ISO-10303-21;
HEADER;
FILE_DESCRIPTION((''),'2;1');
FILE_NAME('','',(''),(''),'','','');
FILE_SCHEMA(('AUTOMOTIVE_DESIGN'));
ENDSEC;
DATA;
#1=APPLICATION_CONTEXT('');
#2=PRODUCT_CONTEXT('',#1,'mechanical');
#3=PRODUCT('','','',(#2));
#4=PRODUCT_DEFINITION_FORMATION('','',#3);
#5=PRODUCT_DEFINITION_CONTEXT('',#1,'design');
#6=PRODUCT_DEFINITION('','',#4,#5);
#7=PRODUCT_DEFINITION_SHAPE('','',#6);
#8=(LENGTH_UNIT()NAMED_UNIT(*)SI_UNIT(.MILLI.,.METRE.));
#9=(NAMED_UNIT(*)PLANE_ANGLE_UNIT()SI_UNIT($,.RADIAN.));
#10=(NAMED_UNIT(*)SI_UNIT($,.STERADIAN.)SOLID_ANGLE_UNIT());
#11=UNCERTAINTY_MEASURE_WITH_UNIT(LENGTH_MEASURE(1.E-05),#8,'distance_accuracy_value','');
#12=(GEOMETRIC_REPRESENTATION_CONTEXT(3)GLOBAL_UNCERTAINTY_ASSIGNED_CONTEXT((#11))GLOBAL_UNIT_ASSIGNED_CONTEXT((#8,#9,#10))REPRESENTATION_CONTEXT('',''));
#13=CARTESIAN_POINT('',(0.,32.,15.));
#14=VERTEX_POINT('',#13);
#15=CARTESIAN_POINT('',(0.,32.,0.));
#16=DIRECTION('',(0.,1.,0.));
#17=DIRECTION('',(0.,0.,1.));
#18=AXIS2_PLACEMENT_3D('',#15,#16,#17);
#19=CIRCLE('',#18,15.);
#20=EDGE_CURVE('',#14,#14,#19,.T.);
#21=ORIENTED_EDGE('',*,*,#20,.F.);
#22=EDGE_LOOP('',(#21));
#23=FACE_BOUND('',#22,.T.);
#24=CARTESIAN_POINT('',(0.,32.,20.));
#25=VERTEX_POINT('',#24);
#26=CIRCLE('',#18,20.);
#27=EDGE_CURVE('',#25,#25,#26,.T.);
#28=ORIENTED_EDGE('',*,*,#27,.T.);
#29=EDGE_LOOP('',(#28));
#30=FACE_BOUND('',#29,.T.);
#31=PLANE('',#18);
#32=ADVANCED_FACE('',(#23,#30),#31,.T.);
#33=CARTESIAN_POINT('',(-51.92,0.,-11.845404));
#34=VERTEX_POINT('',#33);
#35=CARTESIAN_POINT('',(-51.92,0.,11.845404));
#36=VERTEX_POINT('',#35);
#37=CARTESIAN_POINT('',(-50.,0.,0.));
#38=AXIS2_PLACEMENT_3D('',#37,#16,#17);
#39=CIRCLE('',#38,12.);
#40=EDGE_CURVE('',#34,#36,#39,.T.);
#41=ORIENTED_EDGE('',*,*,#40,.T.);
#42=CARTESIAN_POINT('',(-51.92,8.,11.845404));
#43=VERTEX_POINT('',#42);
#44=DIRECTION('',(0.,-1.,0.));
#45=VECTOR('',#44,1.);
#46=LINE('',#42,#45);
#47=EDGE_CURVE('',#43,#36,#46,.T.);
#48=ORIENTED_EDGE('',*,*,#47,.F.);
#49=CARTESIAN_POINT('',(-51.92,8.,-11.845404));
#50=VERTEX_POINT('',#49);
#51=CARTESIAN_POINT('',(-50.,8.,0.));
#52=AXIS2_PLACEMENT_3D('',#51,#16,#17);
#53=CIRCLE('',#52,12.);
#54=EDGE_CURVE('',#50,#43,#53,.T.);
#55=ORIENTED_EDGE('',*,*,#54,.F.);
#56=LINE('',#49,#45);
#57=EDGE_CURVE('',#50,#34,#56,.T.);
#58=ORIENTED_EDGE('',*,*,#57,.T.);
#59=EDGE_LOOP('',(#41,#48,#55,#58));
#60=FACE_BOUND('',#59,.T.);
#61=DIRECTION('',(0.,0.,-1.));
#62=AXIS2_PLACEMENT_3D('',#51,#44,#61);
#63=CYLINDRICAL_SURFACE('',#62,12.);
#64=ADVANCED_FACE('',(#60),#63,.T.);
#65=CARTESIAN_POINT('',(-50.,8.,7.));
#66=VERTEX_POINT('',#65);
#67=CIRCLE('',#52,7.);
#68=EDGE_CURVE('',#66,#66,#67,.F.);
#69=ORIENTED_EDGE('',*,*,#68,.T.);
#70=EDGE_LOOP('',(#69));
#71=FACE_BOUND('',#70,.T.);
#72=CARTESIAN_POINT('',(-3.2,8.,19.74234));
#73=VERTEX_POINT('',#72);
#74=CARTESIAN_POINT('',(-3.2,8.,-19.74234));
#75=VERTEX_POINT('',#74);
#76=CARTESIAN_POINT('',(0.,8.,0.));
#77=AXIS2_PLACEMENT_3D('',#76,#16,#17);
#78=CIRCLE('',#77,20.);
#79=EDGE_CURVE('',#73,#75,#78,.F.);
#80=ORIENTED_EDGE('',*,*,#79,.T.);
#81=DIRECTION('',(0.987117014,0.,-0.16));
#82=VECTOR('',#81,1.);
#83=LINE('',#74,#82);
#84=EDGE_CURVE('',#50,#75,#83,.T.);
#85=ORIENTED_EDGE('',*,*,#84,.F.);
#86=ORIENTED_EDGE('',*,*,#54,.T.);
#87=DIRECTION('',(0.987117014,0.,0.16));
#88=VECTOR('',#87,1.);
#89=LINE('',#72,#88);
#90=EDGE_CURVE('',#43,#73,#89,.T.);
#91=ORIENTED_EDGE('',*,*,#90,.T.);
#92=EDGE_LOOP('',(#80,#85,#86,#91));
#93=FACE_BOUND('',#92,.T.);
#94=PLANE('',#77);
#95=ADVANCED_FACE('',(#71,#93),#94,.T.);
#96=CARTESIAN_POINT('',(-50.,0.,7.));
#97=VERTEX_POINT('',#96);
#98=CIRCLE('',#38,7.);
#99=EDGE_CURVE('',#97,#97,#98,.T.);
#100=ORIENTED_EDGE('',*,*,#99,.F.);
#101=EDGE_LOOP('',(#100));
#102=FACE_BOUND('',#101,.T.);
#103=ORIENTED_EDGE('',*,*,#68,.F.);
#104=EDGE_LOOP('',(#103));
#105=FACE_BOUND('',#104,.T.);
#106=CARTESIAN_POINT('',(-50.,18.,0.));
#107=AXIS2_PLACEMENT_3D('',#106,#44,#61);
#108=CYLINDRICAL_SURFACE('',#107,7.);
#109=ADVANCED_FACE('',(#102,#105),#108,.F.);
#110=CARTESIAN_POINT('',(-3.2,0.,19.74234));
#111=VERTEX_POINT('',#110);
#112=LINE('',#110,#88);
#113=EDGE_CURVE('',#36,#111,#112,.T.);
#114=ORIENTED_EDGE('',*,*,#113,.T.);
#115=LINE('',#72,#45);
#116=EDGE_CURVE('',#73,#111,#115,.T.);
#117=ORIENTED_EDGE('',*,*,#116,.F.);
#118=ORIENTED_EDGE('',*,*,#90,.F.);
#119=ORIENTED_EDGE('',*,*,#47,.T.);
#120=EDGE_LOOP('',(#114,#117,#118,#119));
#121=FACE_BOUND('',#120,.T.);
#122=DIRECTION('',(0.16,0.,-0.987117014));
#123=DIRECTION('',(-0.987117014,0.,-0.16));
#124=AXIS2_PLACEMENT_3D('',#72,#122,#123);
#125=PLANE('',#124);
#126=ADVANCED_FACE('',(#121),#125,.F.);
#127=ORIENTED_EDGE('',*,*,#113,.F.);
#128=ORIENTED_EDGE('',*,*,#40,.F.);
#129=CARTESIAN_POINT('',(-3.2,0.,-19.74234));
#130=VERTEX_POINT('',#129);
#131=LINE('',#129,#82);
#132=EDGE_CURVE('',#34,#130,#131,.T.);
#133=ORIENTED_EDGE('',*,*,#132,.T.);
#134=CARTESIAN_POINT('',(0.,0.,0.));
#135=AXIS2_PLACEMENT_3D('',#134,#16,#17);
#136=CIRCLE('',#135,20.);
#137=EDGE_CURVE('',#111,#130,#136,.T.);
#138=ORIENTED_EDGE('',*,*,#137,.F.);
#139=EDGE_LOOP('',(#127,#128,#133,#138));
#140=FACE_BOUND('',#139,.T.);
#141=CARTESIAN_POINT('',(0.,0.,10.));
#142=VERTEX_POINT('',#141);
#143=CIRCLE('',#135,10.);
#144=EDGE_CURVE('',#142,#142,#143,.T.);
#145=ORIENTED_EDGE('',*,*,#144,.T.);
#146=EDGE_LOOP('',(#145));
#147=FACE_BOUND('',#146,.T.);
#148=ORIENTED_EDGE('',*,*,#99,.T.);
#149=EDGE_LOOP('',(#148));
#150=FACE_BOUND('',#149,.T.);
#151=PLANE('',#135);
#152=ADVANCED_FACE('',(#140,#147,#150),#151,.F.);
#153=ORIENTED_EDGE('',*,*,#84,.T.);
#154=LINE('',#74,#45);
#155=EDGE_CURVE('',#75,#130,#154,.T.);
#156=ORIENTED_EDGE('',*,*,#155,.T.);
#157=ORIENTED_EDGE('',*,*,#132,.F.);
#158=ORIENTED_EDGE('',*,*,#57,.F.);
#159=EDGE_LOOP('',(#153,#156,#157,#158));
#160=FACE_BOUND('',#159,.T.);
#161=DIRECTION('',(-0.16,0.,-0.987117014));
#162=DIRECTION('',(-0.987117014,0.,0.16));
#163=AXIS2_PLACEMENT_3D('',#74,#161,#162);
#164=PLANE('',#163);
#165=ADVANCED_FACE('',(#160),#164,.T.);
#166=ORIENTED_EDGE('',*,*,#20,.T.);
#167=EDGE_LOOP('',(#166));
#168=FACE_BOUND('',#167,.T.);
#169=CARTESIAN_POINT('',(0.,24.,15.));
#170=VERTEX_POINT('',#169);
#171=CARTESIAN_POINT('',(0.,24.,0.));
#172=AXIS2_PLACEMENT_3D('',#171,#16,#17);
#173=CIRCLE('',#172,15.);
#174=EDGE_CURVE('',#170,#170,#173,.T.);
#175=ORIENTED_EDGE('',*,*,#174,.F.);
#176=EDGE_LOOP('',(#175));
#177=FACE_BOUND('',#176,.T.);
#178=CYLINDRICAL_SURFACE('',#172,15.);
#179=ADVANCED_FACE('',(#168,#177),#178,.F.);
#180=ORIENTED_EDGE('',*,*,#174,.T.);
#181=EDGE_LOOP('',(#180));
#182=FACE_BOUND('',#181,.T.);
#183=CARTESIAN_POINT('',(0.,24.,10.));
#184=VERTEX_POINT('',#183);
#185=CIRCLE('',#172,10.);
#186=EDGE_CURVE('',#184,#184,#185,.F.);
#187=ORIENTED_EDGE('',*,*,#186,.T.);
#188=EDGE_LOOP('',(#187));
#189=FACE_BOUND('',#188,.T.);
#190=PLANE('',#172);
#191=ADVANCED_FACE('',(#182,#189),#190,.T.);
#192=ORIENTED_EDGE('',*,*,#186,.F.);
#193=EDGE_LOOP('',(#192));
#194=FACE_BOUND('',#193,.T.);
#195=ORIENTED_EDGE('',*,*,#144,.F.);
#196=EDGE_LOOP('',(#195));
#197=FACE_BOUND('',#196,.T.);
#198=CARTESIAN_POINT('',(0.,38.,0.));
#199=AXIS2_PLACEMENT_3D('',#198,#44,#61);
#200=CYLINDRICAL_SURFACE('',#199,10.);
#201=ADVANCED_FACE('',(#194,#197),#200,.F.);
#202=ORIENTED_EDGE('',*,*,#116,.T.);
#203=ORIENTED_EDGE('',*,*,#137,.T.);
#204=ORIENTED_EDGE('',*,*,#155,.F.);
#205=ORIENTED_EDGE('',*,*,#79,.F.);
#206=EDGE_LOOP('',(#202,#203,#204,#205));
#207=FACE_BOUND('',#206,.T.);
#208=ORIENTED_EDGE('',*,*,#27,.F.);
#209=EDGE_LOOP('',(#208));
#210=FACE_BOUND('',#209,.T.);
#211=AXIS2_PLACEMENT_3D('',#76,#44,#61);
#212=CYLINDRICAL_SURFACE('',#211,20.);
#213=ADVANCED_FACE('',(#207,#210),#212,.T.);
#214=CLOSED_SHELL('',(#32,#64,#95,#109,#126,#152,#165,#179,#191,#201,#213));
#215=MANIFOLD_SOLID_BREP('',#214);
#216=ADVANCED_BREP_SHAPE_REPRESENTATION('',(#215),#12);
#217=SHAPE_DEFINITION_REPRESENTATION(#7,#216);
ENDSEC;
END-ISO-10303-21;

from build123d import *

# Parameters (mm, degrees)
EXTRUDE_3_DEPTH     = 8
SKETCH_5_R          = 20
EXTRUDE_4_DEPTH     = 32
SKETCH_7_R          = 15
CUT_EXTRUDE_1_DEPTH = 8
SKETCH_8_R          = 10
CUT_EXTRUDE_2_DEPTH = 38
SKETCH_9_R          = 7
CUT_EXTRUDE_4_DEPTH = 18


with BuildPart() as part:
    # 草图2 → 凸台-拉伸3 (new body)
    with BuildSketch(Plane(origin=(0, 0, 0), x_dir=(1, 0, 0), z_dir=(0, 1, 0))):
        with BuildLine():
            Line((-3.2, 19.742340287), (-51.92, 11.845404172))
            ThreePointArc((-51.92, 11.845404172), (-62, 0), (-51.92, -11.845404172))
            Line((-51.92, -11.845404172), (-3.2, -19.742340287))
            ThreePointArc((-3.2, -19.742340287), (20, 0), (-3.2, 19.742340287))
        make_face()
    extrude(amount=EXTRUDE_3_DEPTH)

    # 草图5 → 凸台-拉伸4 (add)
    with BuildSketch(Plane(origin=(0, 0, 0), x_dir=(1, 0, 0), z_dir=(0, 1, 0))):
        with Locations(Location((0, 0, 0), (0, 0, 99.206896221))):
            Circle(SKETCH_5_R)
    extrude(amount=EXTRUDE_4_DEPTH)

    # 草图7 → 切除-拉伸1 (cut)
    with BuildSketch(Plane(origin=(0, 32, 0), x_dir=(1, 0, 0), z_dir=(0, 1, 0))):
        with Locations(Location((0, 0, 0), (0, 0, 270))):
            Circle(SKETCH_7_R)
    extrude(amount=-CUT_EXTRUDE_1_DEPTH, mode=Mode.SUBTRACT)

    # 草图8 → 切除-拉伸2 (cut)
    with BuildSketch(Plane(origin=(0, 0, 0), x_dir=(1, 0, 0), z_dir=(0, 1, 0))):
        with Locations(Location((0, 0, 0), (0, 0, 270))):
            Circle(SKETCH_8_R)
    extrude(amount=CUT_EXTRUDE_2_DEPTH, mode=Mode.SUBTRACT)

    # 草图9 → 切除-拉伸4 (cut)
    with BuildSketch(Plane(origin=(0, 0, 0), x_dir=(1, 0, 0), z_dir=(0, 1, 0))):
        with Locations(Location((-50, 0, 0), (0, 0, 270))):
            Circle(SKETCH_9_R)
    extrude(amount=CUT_EXTRUDE_4_DEPTH, mode=Mode.SUBTRACT)


solid = part.part
